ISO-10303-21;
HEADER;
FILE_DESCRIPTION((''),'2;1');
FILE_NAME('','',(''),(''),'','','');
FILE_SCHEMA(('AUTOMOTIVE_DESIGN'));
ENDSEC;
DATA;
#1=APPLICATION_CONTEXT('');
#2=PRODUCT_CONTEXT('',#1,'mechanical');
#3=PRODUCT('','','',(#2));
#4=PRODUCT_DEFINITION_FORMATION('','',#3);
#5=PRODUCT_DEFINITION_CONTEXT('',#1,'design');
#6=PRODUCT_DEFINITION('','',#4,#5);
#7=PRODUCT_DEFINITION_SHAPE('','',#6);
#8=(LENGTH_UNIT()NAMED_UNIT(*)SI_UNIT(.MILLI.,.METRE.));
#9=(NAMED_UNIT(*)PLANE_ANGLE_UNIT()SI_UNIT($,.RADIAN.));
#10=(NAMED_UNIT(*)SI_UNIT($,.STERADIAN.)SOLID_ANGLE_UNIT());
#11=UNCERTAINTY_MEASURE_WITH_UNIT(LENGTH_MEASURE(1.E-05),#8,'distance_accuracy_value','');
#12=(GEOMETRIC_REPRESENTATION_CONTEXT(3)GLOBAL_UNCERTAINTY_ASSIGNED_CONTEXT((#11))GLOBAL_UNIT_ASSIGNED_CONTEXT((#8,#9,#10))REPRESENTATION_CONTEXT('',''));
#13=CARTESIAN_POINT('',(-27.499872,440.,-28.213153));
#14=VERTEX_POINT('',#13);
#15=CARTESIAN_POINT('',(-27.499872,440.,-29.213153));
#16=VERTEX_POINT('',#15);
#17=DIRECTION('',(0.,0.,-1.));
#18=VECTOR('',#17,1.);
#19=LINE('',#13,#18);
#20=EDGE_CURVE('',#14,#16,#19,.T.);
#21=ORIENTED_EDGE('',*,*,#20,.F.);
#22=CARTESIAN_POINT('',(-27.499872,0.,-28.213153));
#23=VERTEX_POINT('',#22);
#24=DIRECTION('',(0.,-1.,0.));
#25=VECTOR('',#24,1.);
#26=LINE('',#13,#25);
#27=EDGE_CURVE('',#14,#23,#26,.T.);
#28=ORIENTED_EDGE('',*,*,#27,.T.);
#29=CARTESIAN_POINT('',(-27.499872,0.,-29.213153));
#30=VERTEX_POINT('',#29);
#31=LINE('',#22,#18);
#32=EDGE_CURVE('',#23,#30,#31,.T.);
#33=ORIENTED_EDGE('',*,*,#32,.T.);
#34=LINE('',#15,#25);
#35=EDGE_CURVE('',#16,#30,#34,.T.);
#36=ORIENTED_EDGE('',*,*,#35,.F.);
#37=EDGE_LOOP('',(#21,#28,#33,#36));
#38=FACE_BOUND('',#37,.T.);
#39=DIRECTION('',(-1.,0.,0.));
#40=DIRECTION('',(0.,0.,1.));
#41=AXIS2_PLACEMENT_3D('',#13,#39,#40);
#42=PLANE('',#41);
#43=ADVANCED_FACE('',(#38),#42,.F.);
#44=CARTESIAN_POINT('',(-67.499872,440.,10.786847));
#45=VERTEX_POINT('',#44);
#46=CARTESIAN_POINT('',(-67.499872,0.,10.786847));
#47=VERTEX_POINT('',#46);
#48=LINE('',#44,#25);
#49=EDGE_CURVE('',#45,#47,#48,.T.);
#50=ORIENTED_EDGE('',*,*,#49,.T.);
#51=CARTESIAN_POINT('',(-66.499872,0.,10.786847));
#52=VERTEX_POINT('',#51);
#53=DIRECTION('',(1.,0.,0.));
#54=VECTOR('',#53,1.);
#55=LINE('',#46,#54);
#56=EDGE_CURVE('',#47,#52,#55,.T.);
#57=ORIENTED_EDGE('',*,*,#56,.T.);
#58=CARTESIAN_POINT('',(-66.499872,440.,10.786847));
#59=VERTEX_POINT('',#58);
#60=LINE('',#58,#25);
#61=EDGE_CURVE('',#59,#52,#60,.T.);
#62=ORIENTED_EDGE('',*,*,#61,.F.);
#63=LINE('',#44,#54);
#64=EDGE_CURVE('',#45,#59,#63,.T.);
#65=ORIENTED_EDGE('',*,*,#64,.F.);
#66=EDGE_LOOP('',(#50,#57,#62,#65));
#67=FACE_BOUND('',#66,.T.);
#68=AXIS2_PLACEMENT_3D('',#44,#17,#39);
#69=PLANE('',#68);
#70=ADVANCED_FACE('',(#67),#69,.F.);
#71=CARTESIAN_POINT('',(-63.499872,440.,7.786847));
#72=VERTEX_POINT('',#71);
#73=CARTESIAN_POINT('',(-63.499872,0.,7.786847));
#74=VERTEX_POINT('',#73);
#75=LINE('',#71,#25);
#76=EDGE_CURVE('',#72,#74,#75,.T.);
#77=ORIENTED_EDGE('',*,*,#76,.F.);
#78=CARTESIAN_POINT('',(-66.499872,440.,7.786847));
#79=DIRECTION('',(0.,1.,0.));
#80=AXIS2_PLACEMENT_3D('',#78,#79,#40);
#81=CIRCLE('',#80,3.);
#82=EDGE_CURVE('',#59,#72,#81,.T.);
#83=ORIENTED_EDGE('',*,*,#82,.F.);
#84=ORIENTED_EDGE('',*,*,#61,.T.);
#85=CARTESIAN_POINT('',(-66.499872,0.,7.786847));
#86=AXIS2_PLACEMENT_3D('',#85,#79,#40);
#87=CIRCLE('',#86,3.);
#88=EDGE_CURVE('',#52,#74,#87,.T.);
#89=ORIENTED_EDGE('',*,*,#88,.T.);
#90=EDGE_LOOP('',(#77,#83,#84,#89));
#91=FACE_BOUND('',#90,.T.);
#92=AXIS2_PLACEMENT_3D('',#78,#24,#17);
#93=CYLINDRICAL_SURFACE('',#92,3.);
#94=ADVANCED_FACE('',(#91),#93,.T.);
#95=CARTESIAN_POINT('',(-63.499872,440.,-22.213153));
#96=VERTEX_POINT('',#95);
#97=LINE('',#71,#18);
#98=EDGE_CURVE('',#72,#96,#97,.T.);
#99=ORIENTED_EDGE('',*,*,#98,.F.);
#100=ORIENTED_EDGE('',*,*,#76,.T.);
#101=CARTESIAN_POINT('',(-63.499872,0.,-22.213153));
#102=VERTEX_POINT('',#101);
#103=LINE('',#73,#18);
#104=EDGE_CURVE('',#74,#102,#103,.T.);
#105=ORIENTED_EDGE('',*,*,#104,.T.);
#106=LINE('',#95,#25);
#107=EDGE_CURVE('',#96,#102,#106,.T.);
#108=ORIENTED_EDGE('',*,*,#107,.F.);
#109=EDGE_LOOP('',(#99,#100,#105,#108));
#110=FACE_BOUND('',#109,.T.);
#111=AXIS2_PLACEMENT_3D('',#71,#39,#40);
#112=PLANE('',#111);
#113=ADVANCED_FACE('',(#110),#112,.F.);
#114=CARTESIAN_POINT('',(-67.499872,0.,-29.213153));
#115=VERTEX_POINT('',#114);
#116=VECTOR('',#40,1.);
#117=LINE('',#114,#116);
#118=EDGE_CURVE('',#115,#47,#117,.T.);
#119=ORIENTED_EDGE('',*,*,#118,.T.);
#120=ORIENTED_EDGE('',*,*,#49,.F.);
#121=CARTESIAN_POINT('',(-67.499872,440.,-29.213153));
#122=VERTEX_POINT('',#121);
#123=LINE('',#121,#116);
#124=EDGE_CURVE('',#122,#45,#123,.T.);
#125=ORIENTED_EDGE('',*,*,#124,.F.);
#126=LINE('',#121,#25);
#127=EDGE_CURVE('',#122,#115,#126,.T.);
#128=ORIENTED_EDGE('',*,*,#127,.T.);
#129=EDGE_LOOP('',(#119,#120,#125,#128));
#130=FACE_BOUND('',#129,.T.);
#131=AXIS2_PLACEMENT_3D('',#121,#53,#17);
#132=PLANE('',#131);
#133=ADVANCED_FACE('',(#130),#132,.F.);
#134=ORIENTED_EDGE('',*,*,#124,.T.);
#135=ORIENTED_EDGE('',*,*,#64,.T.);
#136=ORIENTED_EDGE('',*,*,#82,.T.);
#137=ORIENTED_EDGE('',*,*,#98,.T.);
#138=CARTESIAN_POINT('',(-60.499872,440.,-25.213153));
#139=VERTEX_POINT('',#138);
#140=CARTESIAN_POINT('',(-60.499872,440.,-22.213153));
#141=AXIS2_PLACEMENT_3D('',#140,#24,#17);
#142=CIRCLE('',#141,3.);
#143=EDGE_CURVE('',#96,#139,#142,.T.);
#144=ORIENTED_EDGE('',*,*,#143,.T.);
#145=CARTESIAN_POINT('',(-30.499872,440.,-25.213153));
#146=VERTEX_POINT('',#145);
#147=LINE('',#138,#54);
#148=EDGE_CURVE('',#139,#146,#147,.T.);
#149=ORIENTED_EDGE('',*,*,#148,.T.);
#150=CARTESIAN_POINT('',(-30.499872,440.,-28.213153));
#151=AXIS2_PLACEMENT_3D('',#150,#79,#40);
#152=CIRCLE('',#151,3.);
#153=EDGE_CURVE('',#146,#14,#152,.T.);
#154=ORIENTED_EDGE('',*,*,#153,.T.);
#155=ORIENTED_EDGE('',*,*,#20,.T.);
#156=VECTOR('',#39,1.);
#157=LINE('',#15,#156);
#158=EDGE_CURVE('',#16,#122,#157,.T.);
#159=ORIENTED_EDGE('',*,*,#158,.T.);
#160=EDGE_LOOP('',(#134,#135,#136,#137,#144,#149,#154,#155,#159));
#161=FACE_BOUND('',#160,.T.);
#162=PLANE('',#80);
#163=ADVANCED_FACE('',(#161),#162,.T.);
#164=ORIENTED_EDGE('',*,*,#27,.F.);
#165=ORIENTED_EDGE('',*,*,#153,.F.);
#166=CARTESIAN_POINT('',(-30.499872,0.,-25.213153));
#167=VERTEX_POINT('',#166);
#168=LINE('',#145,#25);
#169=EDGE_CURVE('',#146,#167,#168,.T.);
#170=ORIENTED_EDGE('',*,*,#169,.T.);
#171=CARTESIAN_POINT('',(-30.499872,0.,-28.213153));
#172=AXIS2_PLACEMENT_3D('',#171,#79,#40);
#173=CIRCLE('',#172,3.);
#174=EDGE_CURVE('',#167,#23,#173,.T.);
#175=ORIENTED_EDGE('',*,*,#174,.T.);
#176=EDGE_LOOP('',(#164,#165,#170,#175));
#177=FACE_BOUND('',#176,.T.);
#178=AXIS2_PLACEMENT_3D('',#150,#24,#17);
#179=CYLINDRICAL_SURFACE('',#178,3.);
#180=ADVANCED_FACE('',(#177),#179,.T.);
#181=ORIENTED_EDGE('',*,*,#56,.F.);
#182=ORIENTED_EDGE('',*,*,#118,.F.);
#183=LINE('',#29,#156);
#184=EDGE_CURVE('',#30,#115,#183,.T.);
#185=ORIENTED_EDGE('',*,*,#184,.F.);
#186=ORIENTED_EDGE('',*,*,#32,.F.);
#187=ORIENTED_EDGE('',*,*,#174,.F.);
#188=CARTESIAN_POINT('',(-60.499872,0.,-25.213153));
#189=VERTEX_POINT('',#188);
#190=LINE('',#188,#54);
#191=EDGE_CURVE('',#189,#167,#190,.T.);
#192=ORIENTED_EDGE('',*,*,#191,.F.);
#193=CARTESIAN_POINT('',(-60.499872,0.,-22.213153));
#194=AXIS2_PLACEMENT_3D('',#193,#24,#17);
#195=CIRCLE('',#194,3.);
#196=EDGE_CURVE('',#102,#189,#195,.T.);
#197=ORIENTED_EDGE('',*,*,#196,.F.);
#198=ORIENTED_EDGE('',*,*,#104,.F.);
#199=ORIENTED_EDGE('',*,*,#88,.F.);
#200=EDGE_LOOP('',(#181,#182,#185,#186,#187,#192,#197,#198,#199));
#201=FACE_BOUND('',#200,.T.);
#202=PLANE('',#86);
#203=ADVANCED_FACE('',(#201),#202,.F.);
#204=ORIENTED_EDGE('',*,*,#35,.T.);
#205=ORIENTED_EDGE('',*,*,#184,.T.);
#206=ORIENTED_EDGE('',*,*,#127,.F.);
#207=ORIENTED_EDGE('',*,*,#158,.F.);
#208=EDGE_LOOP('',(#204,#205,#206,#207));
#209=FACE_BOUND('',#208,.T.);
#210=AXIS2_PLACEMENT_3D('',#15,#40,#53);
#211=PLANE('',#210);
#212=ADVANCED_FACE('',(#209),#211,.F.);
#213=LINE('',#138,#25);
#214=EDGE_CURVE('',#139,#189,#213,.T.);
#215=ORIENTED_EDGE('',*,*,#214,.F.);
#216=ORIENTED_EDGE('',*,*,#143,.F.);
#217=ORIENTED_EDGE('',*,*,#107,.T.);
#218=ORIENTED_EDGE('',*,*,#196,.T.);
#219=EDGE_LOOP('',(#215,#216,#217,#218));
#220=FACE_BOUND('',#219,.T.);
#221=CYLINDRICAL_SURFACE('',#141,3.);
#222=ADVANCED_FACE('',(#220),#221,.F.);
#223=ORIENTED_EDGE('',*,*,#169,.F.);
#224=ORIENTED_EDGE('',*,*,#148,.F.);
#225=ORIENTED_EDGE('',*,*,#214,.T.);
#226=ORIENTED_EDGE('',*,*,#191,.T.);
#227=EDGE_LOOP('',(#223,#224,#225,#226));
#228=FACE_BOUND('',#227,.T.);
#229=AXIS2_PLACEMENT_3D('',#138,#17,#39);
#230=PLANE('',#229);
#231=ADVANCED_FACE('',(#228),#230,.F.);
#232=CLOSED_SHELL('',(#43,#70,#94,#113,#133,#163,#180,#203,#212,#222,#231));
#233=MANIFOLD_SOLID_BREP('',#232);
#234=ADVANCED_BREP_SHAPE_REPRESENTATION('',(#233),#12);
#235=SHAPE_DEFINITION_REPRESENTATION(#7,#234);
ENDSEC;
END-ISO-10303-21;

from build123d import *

# Parameters (mm, degrees)
BOSS_EXTRUDE1_DEPTH = 440


with BuildPart() as part:
    # Sketch1 → Boss-Extrude1 (new body)
    with BuildSketch(Plane(origin=(0, 0, 0), x_dir=(1, 0, 0), z_dir=(0, 1, 0))):
        with BuildLine():
            Line((-27.499872145, 29.213153277), (-67.499872145, 29.213153277))
            Line((-67.499872145, 29.213153277), (-67.499872145, -10.786846723))
            Line((-67.499872145, -10.786846723), (-66.499872145, -10.786846723))
            ThreePointArc((-66.499872145, -10.786846723), (-64.378551801, -9.908167067), (-63.499872145, -7.786846723))
            Line((-63.499872145, -7.786846723), (-63.499872145, 22.213153277))
            ThreePointArc((-63.499872145, 22.213153277), (-62.621192489, 24.334473621), (-60.499872145, 25.213153277))
            Line((-60.499872145, 25.213153277), (-30.499872145, 25.213153277))
            ThreePointArc((-30.499872145, 25.213153277), (-28.378551801, 26.091832933), (-27.499872145, 28.213153277))
            Line((-27.499872145, 28.213153277), (-27.499872145, 29.213153277))
        make_face()
    extrude(amount=BOSS_EXTRUDE1_DEPTH)


solid = part.part
